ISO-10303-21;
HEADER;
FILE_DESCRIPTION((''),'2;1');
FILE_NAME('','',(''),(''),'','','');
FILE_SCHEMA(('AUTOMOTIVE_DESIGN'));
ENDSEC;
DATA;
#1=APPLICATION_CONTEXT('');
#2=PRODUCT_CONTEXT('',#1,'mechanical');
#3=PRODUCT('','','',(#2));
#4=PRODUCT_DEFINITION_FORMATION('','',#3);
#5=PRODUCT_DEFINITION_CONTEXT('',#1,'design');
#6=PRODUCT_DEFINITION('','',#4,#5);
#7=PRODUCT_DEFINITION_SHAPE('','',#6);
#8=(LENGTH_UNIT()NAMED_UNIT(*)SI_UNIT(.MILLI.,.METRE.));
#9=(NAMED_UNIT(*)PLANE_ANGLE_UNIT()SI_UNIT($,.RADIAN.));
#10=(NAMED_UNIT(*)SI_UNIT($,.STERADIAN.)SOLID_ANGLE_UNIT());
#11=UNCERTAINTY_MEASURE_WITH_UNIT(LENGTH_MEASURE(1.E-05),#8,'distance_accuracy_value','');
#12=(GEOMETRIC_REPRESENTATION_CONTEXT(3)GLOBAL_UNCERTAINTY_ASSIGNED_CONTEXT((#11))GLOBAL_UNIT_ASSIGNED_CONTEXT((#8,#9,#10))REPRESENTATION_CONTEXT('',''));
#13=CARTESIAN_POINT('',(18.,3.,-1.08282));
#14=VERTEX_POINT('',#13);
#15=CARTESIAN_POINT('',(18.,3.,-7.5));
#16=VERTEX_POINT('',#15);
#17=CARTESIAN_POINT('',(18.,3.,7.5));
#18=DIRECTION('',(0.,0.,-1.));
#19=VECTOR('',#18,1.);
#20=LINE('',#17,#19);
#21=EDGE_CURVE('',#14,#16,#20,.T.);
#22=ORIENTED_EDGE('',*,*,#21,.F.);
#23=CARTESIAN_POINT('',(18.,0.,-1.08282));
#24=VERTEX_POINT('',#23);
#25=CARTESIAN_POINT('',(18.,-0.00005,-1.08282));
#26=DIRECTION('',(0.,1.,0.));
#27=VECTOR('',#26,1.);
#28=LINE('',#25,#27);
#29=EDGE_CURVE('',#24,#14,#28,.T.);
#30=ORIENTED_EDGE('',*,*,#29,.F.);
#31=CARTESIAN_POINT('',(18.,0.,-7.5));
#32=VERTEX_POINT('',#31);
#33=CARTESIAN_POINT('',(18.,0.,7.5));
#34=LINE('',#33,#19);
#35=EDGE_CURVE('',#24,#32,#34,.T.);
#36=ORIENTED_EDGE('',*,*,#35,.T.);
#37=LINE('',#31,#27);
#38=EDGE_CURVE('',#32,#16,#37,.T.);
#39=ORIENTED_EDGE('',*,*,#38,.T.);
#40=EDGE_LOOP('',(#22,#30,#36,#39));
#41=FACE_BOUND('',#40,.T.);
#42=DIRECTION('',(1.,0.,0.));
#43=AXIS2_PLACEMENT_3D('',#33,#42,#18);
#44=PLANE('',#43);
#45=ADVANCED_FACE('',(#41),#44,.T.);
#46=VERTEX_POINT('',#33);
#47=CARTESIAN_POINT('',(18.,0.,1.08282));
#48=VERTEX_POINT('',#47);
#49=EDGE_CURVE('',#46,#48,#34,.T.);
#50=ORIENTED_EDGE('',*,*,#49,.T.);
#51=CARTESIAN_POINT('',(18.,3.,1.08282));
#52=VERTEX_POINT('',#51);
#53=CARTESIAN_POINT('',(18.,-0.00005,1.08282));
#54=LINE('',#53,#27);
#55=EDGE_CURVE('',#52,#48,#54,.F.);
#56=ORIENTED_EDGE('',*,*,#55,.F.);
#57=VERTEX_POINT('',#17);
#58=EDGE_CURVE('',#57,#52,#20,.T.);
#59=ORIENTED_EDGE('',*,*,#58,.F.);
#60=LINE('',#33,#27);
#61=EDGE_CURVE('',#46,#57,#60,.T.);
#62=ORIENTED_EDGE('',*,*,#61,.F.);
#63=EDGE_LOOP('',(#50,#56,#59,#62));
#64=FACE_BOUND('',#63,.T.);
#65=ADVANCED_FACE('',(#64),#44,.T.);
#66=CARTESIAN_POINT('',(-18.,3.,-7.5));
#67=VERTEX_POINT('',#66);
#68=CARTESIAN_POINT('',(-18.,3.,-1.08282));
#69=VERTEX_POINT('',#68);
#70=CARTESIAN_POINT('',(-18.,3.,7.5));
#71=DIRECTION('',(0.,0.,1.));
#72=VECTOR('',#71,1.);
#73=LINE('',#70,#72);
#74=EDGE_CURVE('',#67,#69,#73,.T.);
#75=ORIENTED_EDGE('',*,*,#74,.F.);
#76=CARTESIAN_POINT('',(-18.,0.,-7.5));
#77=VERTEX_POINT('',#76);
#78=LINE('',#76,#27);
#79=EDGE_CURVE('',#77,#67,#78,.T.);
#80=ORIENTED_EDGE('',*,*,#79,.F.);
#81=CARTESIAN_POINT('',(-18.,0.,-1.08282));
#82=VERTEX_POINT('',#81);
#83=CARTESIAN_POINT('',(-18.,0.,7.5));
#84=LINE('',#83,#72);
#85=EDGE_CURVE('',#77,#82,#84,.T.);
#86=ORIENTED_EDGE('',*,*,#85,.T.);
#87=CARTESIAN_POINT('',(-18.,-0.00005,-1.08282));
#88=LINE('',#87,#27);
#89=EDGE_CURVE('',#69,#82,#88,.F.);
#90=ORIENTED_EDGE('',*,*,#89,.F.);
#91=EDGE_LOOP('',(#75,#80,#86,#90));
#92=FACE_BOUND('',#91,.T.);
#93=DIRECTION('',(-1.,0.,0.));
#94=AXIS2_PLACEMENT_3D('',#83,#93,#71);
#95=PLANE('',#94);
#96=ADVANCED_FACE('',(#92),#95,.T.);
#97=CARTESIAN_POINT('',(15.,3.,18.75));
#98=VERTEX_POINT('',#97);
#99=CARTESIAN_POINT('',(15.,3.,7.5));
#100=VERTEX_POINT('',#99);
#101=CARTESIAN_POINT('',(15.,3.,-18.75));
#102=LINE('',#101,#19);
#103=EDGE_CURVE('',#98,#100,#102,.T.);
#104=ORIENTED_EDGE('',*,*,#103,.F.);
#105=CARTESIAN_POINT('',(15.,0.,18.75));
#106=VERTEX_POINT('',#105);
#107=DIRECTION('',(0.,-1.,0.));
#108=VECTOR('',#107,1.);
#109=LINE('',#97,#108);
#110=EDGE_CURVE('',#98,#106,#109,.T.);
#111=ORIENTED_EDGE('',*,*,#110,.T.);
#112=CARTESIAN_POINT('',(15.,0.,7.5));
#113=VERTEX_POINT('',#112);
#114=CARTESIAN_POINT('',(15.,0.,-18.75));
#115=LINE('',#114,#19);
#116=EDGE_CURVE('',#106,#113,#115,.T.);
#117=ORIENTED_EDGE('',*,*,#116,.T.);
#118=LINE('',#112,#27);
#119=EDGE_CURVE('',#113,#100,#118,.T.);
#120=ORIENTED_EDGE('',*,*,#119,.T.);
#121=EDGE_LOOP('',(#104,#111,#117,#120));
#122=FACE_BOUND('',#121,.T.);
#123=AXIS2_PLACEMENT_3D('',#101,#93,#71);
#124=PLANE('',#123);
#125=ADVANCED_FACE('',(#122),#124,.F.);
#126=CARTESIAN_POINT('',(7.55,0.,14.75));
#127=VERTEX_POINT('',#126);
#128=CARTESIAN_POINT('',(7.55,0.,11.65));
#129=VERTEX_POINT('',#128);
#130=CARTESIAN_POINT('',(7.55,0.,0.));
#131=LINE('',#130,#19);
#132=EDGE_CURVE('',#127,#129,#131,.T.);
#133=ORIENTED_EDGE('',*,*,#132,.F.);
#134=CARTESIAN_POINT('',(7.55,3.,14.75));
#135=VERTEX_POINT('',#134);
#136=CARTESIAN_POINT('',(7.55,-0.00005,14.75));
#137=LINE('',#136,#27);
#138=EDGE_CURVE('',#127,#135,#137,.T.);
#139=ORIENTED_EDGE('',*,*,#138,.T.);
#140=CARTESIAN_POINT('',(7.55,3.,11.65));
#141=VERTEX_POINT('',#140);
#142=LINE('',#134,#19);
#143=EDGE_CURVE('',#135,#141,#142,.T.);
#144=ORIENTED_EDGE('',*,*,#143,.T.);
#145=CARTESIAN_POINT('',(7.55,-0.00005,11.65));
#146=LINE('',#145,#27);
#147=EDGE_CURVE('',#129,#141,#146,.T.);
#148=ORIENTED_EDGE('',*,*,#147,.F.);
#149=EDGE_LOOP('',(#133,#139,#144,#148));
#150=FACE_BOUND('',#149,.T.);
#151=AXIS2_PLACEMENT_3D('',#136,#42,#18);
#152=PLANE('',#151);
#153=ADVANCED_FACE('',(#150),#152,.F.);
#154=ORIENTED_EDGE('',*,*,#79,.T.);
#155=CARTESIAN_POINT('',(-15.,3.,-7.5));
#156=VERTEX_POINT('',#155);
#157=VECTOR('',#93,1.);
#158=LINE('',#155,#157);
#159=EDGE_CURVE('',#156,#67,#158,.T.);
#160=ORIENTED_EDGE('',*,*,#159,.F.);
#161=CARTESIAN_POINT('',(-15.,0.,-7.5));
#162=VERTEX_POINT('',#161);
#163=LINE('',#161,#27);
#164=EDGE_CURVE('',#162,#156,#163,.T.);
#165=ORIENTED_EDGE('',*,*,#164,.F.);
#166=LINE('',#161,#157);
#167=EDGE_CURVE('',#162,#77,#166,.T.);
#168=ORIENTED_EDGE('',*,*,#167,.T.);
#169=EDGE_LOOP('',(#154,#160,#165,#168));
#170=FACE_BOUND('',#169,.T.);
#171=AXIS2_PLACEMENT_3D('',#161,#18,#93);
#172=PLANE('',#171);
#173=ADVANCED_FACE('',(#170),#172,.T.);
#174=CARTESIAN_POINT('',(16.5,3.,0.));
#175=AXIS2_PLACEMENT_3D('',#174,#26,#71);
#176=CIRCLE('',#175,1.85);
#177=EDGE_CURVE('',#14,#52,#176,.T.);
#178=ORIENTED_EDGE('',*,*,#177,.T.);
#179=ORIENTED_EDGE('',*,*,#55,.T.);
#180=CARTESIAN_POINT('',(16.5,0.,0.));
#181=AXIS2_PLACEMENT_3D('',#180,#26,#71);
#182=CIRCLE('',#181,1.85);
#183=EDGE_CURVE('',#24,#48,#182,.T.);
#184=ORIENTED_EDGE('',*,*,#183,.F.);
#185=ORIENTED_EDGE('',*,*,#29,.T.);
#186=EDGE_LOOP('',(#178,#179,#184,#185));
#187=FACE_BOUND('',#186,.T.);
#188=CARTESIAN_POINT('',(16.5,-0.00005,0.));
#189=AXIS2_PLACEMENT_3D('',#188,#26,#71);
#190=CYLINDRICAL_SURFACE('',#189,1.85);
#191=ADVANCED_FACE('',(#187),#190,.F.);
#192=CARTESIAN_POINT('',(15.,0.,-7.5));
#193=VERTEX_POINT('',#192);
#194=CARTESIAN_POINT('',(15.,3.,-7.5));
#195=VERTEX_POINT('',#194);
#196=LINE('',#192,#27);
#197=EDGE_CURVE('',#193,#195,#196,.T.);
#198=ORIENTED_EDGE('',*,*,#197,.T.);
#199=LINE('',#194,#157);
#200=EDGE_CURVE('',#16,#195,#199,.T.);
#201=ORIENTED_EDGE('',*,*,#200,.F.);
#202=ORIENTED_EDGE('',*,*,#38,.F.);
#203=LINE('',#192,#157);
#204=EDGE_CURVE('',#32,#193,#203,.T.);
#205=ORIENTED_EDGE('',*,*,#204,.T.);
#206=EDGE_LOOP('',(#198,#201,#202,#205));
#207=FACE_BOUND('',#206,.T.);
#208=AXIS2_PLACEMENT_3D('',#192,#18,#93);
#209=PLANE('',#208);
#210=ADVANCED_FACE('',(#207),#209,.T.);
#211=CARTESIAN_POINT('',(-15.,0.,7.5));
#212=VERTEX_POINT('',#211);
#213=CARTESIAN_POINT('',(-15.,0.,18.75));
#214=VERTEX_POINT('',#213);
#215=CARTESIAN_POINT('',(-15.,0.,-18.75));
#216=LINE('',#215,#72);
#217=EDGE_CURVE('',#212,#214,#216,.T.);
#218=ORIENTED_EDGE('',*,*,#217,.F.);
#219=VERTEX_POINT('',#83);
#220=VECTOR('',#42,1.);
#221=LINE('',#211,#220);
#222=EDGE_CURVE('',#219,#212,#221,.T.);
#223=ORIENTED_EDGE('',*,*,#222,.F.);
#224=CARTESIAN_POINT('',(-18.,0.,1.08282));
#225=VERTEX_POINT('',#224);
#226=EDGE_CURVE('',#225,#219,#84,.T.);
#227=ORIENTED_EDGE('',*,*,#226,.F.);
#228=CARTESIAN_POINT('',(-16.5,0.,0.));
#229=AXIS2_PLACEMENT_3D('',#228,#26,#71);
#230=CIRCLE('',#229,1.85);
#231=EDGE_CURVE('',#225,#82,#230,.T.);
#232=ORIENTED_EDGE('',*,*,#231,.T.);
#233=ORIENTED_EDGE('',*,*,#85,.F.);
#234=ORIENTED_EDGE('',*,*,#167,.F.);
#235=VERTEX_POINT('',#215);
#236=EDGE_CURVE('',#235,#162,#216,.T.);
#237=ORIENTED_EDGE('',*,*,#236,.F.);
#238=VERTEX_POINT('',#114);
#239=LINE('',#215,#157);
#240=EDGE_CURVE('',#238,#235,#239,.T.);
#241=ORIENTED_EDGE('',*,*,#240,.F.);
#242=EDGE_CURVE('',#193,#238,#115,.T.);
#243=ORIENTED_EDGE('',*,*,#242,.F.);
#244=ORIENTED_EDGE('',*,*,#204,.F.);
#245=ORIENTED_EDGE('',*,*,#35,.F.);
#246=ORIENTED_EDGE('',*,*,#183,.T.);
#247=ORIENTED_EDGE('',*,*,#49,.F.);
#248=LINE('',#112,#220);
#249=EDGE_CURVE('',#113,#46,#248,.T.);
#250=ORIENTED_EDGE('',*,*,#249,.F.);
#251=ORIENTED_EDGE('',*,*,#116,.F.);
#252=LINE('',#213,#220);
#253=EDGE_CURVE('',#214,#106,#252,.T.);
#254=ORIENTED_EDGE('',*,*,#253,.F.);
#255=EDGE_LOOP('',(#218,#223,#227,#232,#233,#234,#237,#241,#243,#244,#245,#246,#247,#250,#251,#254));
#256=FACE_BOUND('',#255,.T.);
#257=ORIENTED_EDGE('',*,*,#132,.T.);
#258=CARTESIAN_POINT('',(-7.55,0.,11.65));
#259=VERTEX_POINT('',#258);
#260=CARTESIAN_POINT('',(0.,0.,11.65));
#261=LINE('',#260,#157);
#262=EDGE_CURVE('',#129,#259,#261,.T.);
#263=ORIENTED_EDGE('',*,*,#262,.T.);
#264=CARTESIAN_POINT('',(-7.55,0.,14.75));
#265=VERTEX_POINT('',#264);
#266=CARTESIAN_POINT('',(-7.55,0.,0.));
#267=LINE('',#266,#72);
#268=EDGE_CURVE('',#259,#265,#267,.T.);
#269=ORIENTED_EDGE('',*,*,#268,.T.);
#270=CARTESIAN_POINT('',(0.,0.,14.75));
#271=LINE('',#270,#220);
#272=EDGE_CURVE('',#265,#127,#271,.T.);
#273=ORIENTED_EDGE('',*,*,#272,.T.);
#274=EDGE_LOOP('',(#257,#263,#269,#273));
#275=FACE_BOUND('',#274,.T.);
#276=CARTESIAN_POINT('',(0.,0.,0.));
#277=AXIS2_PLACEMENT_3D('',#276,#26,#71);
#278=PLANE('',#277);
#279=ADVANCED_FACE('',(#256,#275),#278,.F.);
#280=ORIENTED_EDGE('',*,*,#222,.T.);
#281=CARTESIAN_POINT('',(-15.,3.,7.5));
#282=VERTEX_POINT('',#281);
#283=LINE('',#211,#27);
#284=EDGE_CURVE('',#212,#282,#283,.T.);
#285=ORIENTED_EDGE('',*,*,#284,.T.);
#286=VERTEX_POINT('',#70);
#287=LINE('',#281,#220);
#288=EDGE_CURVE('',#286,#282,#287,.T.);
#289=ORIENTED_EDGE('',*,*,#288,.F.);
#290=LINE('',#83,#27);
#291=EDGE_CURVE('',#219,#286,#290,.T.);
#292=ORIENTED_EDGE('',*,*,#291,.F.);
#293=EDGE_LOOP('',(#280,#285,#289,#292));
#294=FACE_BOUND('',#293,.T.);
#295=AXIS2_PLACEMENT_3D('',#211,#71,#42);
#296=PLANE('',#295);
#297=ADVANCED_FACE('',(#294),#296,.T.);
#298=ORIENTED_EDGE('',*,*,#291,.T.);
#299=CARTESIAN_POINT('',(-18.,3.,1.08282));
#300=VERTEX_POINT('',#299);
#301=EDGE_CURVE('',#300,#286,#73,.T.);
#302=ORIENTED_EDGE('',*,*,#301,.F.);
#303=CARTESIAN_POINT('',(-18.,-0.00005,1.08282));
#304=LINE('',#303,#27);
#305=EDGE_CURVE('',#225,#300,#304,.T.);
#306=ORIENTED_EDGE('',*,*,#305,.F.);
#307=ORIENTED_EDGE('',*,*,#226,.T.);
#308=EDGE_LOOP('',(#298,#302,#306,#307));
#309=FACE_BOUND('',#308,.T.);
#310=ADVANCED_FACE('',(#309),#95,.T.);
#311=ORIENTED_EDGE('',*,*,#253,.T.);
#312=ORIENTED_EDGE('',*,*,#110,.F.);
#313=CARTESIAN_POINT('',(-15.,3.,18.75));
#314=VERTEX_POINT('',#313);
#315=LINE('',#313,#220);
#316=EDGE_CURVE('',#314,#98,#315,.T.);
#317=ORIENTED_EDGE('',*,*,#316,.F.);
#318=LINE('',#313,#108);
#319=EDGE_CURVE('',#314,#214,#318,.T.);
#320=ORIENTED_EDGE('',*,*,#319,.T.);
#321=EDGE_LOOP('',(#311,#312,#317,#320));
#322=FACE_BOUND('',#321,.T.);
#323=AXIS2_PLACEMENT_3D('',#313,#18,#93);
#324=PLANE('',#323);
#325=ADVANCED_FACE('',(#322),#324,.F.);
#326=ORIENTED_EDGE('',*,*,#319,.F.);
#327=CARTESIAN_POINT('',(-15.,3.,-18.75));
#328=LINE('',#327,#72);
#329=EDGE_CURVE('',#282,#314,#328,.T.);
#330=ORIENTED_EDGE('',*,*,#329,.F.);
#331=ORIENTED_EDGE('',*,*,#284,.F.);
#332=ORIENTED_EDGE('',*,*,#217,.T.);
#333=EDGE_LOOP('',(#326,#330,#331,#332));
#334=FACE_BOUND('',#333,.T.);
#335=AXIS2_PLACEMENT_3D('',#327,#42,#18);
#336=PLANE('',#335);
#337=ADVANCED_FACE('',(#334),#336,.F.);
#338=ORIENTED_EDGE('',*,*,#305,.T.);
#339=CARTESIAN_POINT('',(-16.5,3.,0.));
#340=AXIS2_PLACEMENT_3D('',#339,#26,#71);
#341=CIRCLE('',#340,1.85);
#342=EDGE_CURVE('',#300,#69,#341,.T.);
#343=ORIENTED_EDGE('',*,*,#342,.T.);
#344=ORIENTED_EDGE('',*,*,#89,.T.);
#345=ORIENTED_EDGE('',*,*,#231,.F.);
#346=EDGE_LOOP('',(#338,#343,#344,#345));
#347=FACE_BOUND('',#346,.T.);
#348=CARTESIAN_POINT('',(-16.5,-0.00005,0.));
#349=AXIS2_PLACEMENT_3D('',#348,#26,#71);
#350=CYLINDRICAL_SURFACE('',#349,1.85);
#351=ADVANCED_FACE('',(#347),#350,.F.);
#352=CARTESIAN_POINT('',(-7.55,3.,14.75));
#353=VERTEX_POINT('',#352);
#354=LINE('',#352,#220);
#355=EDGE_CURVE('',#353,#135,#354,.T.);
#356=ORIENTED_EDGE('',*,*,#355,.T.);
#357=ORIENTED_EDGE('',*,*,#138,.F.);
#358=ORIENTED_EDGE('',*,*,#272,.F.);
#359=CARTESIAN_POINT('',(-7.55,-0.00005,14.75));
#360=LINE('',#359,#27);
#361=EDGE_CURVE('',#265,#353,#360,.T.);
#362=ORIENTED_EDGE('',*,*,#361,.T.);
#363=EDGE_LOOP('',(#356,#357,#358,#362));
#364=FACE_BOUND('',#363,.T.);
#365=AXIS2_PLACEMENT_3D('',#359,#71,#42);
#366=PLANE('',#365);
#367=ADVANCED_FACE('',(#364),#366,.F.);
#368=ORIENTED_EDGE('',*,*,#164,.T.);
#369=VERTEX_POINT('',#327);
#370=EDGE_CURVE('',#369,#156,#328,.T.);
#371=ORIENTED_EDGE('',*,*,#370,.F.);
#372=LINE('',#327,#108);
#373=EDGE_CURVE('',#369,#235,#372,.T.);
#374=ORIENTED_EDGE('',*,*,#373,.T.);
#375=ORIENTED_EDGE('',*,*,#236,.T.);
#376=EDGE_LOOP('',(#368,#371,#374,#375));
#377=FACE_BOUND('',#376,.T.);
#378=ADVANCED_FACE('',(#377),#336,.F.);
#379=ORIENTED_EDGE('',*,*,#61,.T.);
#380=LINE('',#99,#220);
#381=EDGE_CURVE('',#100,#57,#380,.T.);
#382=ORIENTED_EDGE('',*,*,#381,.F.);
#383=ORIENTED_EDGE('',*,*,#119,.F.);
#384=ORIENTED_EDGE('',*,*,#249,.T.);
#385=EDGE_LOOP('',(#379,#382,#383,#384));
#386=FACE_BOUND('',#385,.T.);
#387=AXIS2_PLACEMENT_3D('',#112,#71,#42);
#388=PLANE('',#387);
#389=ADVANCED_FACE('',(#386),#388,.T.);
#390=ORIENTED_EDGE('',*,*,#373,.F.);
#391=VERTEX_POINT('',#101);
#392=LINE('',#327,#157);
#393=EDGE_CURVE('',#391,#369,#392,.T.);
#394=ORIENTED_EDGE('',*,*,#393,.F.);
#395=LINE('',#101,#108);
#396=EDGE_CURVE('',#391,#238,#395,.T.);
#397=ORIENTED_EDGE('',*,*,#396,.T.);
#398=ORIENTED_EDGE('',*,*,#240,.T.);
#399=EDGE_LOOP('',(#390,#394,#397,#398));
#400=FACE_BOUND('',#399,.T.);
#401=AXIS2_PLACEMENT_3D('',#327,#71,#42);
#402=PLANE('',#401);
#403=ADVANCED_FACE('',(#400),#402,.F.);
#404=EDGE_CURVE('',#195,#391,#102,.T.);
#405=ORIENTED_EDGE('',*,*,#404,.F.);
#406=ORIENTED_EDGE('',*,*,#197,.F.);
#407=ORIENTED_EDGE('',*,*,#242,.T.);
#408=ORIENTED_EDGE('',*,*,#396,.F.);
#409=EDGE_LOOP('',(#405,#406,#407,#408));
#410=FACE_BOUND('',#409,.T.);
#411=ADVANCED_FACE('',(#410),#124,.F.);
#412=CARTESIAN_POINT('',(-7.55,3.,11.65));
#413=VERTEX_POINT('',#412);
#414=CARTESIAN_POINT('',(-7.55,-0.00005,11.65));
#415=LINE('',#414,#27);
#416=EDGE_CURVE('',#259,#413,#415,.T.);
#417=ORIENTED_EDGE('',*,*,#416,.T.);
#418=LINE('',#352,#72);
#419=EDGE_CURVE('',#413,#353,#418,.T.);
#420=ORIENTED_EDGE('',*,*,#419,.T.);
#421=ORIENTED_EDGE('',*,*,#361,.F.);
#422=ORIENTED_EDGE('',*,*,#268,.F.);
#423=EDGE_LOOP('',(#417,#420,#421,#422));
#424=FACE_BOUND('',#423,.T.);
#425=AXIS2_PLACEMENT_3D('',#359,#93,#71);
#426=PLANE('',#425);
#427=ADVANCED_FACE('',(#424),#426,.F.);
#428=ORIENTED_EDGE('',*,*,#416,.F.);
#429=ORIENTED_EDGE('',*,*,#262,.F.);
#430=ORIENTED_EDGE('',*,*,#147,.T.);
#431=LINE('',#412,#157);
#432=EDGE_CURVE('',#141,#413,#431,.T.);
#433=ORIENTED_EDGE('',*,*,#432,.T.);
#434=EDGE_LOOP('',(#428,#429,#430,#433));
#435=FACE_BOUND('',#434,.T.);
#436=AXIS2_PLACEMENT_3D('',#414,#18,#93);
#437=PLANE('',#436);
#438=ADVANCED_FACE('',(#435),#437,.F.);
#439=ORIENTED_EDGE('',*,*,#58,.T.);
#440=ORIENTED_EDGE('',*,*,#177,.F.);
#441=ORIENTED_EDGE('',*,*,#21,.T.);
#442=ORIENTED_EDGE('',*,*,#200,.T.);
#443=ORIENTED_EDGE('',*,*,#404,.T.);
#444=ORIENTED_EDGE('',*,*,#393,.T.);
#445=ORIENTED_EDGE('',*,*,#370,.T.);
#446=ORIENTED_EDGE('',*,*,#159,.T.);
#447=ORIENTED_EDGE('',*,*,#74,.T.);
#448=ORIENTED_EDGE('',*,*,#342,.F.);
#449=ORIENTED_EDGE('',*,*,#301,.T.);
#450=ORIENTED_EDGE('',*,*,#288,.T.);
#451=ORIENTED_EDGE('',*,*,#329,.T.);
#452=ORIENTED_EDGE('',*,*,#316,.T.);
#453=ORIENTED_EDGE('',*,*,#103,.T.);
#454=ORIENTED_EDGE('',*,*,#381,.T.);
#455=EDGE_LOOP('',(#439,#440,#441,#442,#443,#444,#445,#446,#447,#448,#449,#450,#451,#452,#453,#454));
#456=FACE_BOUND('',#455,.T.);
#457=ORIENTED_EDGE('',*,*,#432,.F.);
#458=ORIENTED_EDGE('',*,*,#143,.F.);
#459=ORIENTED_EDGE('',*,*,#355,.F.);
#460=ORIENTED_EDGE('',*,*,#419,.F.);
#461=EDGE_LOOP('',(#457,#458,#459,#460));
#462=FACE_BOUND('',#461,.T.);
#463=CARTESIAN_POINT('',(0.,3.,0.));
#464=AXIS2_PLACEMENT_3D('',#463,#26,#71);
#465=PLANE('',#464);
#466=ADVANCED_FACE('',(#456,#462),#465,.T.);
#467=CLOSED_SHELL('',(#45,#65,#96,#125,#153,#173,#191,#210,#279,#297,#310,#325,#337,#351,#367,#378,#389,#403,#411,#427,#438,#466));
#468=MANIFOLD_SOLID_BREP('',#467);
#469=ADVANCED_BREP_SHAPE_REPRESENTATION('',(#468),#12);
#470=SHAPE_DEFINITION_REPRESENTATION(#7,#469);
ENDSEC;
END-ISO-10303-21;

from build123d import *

# Parameters (mm, degrees)
SKETCH1_W           = 30
SKETCH1_H           = 37.5
BOSS_EXTRUDE1_DEPTH = 3
SKETCH2_W           = 3
SKETCH2_H           = 15
BOSS_EXTRUDE2_DEPTH = 3
SKETCH3_R           = 1.85
CUT_EXTRUDE1_DEPTH  = 27.164145314
SKETCH4_W           = 15.1
SKETCH4_H           = 3.1
CUT_EXTRUDE2_DEPTH  = 27.164145314


with BuildPart() as part:
    # Sketch1 → Boss-Extrude1 (new body)
    with BuildSketch(Plane(origin=(0, 0, 0), x_dir=(1, 0, 0), z_dir=(0, 1, 0))):
        Rectangle(SKETCH1_W, SKETCH1_H)
    extrude(amount=BOSS_EXTRUDE1_DEPTH)

    # Sketch2 → Boss-Extrude2 (add)
    with BuildSketch(Plane(origin=(0, 3, 0), x_dir=(1, 0, 0), z_dir=(0, 1, 0))):
        with Locations((-16.5, 0)):
            Rectangle(SKETCH2_W, SKETCH2_H)
        with Locations((16.5, 0)):
            Rectangle(SKETCH2_W, SKETCH2_H)
    extrude(amount=-BOSS_EXTRUDE2_DEPTH)

    # Sketch3 → Cut-Extrude1 (cut, through all)
    with BuildSketch(Plane(origin=(0, 3, 0), x_dir=(1, 0, 0), z_dir=(0, 1, 0))):
        with Locations((-16.5, 0)):
            Circle(SKETCH3_R)
        with Locations((16.5, 0)):
            Circle(SKETCH3_R)
    extrude(amount=-CUT_EXTRUDE1_DEPTH, mode=Mode.SUBTRACT)

    # Sketch4 → Cut-Extrude2 (cut, through all)
    with BuildSketch(Plane(origin=(0, 3, 0), x_dir=(1, 0, 0), z_dir=(0, 1, 0))):
        with Locations((0, -13.2)):
            Rectangle(SKETCH4_W, SKETCH4_H)
    extrude(amount=-CUT_EXTRUDE2_DEPTH, mode=Mode.SUBTRACT)


solid = part.part
